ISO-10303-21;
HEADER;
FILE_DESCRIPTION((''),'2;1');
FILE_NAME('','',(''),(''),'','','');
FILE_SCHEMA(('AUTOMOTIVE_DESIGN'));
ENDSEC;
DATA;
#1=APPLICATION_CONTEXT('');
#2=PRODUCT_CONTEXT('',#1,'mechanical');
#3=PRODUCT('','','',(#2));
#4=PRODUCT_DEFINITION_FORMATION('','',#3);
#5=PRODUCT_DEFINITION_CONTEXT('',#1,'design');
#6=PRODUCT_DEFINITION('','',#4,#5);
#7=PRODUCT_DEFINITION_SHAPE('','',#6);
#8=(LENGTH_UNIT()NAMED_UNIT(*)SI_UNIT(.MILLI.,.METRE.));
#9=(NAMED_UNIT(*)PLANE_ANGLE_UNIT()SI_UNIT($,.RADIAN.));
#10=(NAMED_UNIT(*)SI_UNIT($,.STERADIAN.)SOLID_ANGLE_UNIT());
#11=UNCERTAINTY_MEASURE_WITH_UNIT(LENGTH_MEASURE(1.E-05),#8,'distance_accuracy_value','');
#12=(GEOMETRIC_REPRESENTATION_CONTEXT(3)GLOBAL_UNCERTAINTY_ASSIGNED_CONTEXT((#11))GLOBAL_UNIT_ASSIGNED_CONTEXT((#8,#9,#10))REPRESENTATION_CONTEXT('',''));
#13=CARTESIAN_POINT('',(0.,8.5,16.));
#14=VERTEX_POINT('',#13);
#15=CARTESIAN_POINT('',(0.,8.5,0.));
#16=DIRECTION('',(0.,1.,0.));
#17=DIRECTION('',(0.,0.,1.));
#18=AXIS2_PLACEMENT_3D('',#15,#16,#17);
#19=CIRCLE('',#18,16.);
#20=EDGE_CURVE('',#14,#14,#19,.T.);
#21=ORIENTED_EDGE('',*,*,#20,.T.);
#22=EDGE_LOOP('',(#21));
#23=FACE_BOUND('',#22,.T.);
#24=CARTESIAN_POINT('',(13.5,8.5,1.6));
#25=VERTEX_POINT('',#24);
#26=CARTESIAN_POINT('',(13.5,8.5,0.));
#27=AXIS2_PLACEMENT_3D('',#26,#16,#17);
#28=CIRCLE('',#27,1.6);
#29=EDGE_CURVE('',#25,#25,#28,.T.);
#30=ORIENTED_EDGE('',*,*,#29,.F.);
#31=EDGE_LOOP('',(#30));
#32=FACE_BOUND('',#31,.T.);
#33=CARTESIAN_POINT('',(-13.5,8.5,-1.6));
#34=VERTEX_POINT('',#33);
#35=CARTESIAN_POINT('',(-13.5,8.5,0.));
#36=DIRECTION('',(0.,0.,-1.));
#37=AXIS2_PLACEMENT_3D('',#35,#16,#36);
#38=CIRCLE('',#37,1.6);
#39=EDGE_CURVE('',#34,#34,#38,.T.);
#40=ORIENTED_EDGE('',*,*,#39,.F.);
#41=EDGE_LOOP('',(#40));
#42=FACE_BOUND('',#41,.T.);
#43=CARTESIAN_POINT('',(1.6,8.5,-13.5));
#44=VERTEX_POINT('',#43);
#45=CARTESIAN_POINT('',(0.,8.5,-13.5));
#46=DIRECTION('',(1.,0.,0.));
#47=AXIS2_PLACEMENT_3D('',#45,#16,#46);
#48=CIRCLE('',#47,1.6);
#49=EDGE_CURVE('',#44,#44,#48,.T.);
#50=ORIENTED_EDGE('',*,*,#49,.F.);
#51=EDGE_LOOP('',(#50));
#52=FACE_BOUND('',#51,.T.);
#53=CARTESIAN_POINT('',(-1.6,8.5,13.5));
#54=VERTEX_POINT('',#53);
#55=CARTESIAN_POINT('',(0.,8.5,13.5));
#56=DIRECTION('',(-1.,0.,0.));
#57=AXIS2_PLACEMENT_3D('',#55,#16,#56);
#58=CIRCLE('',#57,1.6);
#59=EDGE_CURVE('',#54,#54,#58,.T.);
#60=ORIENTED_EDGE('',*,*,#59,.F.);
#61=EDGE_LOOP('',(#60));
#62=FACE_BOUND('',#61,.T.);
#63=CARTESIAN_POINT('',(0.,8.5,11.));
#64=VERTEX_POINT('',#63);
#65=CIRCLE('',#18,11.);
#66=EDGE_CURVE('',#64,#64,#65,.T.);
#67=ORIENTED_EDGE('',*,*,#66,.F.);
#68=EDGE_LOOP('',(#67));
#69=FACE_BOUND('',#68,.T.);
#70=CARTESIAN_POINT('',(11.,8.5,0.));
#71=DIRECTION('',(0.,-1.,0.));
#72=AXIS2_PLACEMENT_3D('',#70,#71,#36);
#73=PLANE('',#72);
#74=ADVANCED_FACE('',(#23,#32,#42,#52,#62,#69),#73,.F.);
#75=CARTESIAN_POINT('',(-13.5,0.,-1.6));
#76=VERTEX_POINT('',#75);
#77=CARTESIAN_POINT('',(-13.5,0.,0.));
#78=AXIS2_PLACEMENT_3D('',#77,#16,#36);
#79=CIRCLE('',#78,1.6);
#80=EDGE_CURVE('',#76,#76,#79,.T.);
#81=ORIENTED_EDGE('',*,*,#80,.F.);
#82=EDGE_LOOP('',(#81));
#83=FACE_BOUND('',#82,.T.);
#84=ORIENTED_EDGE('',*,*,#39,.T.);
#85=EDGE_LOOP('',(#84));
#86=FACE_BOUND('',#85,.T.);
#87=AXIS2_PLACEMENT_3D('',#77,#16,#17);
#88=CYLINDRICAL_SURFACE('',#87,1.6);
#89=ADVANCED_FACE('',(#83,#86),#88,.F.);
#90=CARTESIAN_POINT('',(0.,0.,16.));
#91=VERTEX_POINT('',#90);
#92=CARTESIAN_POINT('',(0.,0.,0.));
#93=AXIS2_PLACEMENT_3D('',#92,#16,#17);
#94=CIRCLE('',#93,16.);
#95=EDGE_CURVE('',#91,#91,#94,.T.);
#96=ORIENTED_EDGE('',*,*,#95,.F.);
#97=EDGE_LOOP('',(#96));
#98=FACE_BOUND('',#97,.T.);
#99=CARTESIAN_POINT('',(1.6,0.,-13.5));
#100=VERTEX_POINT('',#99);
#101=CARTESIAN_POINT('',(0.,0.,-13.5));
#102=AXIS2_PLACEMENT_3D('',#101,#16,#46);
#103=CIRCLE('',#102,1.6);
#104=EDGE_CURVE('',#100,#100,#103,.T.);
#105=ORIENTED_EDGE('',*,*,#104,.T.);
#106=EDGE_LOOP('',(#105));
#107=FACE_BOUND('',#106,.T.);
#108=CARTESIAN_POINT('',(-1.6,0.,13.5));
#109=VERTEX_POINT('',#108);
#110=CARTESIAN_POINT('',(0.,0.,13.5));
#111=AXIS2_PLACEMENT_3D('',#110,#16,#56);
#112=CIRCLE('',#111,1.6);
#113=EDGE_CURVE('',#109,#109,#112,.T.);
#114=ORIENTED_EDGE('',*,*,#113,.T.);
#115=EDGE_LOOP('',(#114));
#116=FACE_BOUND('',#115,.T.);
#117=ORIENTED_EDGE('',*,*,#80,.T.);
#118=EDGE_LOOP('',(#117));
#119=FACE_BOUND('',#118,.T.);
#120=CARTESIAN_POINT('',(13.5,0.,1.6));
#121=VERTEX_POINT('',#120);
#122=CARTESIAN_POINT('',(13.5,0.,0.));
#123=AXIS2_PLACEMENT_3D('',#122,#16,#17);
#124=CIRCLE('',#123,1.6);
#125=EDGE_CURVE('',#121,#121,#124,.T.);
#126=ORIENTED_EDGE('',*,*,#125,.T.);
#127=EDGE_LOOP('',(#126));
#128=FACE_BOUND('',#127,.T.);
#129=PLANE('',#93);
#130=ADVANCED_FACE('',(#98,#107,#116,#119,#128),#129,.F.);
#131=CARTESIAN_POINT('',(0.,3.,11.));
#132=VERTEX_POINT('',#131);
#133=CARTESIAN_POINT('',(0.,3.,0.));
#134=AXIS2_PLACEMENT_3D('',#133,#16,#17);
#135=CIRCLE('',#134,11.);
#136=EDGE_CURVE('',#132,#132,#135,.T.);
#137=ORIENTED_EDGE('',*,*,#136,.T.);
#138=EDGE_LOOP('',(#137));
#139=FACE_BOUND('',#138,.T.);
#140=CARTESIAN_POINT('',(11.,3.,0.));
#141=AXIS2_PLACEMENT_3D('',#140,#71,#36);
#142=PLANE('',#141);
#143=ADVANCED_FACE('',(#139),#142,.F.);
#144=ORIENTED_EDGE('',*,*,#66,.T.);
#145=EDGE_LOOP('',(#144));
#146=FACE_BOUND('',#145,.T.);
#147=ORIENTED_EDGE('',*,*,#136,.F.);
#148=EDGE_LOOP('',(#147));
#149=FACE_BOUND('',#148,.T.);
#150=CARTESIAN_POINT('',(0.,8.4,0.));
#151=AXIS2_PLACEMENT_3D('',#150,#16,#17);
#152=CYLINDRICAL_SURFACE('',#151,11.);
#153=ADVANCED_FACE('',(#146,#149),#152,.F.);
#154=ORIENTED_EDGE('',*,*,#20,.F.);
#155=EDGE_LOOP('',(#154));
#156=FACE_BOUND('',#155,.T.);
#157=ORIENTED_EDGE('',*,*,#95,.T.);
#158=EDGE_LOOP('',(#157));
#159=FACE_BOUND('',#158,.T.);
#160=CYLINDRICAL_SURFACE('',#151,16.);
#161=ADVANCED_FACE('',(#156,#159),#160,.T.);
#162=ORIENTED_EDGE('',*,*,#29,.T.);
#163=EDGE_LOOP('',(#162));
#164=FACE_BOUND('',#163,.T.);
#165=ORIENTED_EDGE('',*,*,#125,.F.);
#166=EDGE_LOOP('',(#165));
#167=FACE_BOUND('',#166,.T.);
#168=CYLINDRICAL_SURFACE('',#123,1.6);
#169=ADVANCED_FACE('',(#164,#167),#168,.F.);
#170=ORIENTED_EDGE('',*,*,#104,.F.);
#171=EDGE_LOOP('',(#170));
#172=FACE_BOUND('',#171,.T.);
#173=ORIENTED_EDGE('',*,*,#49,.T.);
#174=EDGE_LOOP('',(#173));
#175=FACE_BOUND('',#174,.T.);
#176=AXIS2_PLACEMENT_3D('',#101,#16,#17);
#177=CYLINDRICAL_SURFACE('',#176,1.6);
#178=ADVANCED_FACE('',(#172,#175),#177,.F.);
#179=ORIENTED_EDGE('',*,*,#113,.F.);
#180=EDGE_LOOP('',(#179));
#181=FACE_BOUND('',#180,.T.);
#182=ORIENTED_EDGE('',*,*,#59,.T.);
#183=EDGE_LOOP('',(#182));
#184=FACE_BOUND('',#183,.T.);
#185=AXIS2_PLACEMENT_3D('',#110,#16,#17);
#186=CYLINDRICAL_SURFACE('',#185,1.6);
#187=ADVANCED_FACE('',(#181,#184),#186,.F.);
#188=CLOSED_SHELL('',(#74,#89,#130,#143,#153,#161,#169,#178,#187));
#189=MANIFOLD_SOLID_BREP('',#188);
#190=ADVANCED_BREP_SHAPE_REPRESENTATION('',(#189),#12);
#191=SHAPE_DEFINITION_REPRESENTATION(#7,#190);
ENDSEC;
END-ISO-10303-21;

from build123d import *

# Parameters (mm, degrees)
ESQUISSE2_R                = 1.6
FIXINGHOLE_DEPTH           = 9.5
FIXINGHOLEREPETITION_COUNT = 4


with BuildPart() as part:
    # Esquisse1 → MainRevolution (revolve)
    with BuildSketch(Plane.XY):
        Polygon((11, 8.5), (11, 3), (0, 3), (0, 0), (16, 0), (16, 8.5), align=None)
    revolve(axis=Axis((0, 8.4, 0), (0, -1, 0)))

    # Esquisse2 → FixingHole (cut, through all)
    with BuildSketch(Plane(origin=(0, 8.5, 0), x_dir=(1, 0, 0), z_dir=(0, 1, 0))):
        with Locations((13.5, 0)):
            Circle(ESQUISSE2_R)
    fixinghole = extrude(amount=-FIXINGHOLE_DEPTH, mode=Mode.SUBTRACT)

    # FixingHoleRepetition: FixingHole ×4 about axis
    fixingholerepetition_axis = Axis((0, 0, 0), (0, 1, 0))
    for i in range(1, FIXINGHOLEREPETITION_COUNT):
        add(fixinghole.rotate(fixingholerepetition_axis, i * 360 / FIXINGHOLEREPETITION_COUNT), mode=Mode.SUBTRACT)


solid = part.part
